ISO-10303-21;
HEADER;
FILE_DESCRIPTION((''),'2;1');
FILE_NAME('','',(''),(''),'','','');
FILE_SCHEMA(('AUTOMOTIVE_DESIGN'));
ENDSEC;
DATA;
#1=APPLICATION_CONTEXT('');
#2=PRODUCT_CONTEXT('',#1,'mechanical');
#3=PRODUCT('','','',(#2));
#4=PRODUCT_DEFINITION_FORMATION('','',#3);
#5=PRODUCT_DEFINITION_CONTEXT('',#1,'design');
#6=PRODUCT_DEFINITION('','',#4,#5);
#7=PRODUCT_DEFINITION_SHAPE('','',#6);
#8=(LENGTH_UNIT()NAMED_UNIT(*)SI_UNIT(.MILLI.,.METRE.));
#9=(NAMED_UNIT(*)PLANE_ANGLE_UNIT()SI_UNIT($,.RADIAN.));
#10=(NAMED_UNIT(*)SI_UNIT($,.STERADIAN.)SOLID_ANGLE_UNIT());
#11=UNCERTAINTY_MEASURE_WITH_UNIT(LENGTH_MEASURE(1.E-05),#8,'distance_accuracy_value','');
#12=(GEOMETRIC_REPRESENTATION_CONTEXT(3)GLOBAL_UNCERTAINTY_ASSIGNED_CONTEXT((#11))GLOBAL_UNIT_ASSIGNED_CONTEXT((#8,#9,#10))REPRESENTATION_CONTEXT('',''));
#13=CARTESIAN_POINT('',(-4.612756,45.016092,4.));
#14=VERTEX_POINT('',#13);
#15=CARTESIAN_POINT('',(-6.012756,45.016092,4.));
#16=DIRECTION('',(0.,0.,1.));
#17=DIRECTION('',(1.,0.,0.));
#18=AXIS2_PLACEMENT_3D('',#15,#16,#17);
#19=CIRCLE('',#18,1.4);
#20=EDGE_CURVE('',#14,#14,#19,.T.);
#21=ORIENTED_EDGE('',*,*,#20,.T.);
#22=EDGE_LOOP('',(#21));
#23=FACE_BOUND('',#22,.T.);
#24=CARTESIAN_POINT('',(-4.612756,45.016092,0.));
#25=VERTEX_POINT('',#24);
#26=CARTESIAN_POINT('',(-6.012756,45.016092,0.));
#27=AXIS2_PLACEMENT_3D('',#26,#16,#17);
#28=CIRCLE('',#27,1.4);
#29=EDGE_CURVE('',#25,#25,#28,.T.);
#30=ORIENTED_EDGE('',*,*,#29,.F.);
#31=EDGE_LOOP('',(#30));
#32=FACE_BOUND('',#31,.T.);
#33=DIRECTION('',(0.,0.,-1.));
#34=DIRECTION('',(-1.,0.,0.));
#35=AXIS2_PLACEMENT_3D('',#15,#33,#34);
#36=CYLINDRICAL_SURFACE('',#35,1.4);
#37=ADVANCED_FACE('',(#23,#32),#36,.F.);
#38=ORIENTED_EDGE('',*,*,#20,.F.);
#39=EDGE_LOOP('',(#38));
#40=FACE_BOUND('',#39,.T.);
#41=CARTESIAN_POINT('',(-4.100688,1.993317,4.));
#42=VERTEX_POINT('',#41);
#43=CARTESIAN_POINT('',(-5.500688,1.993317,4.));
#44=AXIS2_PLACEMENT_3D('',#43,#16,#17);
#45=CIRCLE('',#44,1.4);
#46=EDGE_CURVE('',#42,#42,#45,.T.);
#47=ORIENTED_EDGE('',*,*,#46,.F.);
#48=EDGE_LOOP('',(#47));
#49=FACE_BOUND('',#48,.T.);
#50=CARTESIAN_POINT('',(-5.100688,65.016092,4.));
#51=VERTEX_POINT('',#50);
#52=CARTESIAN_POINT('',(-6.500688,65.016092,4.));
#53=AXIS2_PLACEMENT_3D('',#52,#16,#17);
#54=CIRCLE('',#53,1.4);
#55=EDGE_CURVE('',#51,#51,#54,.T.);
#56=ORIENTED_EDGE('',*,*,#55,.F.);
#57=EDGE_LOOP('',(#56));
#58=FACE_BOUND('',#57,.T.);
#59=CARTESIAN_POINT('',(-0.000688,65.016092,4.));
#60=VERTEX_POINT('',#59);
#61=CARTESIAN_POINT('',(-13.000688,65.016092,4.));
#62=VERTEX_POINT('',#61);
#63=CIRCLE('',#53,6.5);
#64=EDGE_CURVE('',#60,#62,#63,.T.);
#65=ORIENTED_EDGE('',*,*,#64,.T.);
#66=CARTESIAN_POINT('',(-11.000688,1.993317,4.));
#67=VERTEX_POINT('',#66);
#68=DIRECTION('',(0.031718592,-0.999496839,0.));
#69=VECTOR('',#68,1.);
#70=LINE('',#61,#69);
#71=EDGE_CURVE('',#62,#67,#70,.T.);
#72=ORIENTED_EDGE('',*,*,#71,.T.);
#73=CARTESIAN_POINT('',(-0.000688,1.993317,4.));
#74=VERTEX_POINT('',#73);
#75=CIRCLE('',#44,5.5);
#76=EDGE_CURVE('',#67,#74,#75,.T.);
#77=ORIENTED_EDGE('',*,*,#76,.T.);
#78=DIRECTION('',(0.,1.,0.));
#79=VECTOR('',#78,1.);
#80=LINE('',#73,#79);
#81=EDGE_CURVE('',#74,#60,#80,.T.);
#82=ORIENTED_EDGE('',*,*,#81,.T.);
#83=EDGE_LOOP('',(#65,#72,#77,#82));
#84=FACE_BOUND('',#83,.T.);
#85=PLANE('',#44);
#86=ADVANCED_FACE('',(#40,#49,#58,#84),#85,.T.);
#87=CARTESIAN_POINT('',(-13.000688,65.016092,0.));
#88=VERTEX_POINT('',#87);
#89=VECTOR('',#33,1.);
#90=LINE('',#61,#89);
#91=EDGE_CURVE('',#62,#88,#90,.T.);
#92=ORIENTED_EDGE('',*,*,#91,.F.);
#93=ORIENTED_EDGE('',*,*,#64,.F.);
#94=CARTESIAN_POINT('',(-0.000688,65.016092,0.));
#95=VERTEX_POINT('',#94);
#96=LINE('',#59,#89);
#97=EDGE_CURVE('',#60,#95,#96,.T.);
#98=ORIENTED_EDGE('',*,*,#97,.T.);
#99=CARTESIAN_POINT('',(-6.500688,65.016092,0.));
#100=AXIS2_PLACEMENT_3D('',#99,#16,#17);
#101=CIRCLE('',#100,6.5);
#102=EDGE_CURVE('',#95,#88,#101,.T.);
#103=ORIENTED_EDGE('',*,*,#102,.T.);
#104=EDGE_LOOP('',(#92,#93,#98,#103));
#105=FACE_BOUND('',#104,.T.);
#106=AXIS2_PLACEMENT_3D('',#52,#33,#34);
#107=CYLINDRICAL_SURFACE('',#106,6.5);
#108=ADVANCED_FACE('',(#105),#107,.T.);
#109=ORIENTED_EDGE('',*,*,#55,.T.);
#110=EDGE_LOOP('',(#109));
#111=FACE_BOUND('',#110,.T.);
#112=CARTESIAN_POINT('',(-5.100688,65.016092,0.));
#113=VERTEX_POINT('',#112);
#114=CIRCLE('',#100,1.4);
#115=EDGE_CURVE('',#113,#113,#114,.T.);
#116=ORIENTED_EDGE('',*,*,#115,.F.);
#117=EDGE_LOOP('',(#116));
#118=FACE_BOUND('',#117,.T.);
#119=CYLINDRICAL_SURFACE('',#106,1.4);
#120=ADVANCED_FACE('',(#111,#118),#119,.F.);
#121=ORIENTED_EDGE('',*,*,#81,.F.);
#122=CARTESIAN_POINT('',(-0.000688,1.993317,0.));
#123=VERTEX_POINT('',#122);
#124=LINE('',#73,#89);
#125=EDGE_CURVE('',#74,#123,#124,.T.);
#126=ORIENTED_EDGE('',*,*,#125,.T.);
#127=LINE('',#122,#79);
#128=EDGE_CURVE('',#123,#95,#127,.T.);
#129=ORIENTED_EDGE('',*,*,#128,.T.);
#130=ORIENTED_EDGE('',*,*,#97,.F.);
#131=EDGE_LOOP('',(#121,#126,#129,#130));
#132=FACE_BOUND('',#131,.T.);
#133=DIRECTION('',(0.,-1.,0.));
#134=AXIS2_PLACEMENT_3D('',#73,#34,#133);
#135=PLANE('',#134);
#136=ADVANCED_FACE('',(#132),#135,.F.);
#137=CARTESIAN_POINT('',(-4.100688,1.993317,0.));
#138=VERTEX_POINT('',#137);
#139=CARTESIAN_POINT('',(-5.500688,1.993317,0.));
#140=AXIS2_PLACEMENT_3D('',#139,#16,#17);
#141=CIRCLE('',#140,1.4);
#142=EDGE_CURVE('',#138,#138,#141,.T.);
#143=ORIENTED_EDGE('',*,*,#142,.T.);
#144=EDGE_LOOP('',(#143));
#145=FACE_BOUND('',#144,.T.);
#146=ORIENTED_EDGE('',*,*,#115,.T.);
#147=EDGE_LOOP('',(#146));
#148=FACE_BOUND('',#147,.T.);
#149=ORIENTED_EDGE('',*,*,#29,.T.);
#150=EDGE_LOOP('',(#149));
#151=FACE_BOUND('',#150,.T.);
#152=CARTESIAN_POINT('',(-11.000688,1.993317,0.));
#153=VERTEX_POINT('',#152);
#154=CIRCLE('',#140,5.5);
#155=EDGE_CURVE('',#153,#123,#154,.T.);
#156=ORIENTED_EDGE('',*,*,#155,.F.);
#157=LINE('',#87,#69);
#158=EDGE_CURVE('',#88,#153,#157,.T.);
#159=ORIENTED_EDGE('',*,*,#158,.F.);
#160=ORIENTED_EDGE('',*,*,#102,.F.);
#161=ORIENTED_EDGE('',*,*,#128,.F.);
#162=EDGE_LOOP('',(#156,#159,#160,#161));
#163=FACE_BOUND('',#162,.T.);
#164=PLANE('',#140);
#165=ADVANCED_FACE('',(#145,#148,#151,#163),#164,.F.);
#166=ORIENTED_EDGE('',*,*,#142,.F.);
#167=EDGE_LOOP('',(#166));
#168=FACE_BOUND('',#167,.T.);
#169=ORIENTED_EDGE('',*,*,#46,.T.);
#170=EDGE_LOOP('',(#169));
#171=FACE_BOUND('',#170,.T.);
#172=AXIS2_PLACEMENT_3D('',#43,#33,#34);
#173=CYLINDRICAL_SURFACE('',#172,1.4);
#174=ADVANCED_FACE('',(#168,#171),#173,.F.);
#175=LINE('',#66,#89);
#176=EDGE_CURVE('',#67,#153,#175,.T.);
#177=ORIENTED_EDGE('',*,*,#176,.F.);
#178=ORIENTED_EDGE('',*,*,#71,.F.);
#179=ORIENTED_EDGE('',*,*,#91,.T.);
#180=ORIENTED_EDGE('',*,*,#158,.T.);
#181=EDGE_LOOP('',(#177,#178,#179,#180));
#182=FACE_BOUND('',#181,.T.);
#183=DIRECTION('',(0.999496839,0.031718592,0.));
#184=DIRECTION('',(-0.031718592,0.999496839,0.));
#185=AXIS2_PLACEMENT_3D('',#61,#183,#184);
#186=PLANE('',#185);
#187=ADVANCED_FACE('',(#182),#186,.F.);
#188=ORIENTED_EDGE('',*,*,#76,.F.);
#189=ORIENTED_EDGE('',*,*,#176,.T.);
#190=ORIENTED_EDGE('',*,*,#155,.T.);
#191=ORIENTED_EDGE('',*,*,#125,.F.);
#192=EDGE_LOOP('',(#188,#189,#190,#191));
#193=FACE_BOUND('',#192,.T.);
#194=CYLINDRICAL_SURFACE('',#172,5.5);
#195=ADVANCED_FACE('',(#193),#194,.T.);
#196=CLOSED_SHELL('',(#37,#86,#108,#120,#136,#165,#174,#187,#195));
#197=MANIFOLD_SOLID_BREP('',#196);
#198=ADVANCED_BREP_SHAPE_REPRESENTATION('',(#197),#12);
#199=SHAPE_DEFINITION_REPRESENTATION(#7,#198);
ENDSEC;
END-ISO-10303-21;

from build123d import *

# Parameters (mm, degrees)
SKETCH1_R           = 1.4
BOSS_EXTRUDE1_DEPTH = 4


with BuildPart() as part:
    # Sketch1 → Boss-Extrude1 (new body)
    with BuildSketch(Plane.XY):
        with BuildLine():
            Line((-0.000688459, 1.993317296), (-0.000688459, 65.016091721))
            ThreePointArc((-0.000688459, 65.016091721), (-6.500688459, 71.516091721), (-13.000688459, 65.016091721))
            Line((-13.000688459, 65.016091721), (-11.000688459, 1.993317296))
            ThreePointArc((-11.000688459, 1.993317296), (-5.500688459, -3.506682704), (-0.000688459, 1.993317296))
        make_face()
        with Locations((-6.500688459, 65.016091721)):
            Circle(SKETCH1_R, mode=Mode.SUBTRACT)
        with Locations((-5.500688459, 1.993317296)):
            Circle(SKETCH1_R, mode=Mode.SUBTRACT)
        with Locations((-6.012756351, 45.016091721)):
            Circle(SKETCH1_R, mode=Mode.SUBTRACT)
    extrude(amount=BOSS_EXTRUDE1_DEPTH)


solid = part.part
